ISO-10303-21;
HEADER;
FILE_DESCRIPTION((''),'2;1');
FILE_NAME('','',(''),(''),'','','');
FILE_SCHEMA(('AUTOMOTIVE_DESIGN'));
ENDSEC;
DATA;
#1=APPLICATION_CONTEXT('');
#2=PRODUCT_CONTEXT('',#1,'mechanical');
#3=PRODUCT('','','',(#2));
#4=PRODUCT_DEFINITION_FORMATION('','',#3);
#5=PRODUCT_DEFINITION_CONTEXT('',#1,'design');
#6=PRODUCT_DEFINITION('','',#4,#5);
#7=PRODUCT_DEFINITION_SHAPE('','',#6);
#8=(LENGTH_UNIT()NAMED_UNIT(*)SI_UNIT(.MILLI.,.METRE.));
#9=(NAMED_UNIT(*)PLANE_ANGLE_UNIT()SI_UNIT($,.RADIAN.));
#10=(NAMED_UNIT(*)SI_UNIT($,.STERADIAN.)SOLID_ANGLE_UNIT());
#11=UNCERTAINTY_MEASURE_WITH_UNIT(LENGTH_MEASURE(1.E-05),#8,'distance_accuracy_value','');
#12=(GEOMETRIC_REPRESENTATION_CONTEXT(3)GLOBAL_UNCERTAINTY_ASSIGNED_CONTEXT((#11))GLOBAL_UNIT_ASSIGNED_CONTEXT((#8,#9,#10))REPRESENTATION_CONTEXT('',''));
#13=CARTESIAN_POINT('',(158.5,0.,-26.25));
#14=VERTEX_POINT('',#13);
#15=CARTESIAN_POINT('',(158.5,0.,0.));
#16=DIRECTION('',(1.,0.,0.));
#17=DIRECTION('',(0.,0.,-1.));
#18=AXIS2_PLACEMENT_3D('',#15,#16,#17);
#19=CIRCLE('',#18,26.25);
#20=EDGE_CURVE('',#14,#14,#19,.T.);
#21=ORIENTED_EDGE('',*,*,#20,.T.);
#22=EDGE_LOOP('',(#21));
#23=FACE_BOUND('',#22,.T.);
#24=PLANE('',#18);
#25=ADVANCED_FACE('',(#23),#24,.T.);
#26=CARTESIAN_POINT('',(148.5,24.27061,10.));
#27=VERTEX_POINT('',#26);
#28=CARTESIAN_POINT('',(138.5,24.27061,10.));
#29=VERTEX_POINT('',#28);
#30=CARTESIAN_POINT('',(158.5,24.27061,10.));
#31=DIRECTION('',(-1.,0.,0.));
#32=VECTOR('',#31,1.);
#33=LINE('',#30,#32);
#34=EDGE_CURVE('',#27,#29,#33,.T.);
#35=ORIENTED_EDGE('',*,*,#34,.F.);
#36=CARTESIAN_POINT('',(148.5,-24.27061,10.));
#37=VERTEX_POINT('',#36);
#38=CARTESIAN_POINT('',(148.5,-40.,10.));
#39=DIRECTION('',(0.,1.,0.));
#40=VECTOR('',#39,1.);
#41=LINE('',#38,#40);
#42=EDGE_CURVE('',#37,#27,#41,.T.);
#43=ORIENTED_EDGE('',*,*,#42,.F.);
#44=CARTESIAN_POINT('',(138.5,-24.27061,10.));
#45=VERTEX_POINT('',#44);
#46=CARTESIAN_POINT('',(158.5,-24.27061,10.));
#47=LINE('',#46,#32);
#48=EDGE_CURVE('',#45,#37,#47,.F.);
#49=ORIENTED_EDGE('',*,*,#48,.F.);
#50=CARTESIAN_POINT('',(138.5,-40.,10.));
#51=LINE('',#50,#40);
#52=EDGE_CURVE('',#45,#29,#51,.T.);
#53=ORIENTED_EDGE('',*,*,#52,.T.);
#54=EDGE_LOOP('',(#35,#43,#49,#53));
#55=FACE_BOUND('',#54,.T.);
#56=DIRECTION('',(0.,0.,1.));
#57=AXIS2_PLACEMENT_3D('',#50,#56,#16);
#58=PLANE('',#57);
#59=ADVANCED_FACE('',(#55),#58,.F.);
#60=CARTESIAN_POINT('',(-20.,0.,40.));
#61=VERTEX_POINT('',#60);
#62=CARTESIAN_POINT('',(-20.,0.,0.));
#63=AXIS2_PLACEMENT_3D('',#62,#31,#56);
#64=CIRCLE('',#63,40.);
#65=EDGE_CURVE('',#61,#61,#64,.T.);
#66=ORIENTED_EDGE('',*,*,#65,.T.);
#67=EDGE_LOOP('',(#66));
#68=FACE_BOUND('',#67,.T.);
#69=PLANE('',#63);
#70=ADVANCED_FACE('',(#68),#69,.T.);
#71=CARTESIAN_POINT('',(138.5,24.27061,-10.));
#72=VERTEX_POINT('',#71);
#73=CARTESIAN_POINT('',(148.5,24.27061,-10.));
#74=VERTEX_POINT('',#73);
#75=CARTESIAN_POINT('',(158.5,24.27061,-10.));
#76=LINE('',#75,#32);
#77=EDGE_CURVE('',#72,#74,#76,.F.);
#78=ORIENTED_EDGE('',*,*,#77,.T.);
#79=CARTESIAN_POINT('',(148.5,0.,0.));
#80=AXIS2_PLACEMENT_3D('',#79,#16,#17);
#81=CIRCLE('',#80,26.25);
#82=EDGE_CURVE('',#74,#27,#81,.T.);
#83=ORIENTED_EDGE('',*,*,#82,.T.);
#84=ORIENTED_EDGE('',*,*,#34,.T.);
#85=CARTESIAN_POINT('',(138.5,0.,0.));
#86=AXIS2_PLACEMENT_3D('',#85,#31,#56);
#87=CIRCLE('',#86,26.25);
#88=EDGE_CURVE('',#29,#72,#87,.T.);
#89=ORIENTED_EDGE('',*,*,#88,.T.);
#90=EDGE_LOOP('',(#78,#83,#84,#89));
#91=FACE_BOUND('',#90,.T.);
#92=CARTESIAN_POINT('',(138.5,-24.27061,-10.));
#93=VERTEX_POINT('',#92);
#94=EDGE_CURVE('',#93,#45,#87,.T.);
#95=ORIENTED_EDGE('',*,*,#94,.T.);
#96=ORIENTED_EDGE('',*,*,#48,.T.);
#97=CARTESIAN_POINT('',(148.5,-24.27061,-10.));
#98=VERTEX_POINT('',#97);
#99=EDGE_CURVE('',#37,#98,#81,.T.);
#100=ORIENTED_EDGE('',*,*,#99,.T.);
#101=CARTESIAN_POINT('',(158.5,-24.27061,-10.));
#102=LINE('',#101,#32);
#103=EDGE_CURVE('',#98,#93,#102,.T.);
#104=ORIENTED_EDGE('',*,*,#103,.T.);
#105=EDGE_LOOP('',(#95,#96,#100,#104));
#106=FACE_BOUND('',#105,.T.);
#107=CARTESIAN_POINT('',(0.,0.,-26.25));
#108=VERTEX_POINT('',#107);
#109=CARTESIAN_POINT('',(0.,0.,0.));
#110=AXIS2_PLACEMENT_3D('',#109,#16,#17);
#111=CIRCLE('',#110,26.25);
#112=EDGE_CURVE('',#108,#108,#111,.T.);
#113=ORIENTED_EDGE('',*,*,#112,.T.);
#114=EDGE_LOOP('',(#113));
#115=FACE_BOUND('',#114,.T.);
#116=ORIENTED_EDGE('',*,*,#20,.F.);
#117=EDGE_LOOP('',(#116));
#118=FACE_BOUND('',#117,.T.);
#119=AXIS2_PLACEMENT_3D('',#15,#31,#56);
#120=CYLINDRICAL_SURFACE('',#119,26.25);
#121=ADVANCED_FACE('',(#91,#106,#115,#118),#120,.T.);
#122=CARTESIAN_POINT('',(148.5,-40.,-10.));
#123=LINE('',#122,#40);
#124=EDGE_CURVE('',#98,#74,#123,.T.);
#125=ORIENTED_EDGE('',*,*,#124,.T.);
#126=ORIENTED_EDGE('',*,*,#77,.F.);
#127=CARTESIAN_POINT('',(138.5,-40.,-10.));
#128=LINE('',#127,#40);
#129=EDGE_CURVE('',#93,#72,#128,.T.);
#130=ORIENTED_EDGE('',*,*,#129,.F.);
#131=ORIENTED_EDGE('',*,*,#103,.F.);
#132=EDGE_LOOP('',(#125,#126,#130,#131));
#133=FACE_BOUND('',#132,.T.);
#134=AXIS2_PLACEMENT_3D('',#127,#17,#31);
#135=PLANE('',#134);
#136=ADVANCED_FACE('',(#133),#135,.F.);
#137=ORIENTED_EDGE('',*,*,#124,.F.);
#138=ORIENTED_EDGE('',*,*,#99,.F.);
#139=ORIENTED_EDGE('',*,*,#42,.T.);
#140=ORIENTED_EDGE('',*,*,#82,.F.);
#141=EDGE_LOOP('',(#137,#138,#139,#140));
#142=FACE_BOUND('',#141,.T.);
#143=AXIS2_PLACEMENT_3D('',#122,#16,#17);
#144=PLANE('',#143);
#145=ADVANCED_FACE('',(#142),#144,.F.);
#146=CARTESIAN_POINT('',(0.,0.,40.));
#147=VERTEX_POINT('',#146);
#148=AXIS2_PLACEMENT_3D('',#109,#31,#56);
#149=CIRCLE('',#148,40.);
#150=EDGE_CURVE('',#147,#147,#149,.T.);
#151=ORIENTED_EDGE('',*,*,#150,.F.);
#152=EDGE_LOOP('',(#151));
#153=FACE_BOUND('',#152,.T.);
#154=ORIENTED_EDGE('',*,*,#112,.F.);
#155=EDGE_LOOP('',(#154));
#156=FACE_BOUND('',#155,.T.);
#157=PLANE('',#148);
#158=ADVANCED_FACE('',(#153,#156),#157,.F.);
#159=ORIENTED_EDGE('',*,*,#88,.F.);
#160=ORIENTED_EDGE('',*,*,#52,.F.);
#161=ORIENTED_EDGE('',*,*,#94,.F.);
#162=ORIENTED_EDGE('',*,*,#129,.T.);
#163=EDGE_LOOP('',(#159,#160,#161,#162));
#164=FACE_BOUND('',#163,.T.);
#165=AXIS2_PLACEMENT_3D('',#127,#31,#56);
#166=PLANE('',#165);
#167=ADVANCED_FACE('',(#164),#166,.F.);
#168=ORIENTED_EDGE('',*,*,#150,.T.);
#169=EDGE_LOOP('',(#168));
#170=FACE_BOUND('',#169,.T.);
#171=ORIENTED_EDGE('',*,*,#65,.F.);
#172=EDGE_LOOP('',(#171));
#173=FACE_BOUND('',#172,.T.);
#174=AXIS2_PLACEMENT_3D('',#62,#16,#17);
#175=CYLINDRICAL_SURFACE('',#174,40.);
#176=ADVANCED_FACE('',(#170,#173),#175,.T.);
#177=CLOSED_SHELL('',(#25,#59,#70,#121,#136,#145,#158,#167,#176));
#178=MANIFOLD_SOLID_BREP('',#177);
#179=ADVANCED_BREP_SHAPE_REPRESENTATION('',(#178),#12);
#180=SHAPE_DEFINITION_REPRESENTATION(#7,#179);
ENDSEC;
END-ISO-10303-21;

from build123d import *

# Parameters (mm, degrees)
SKETCH1_R               = 26.25
BOSS_EXTRUDE1_DEPTH     = 158.5
SKETCH2_R               = 40
BOSS_EXTRUDE2_DEPTH     = 20
CUT_EXTRUDE1_DEPTH      = 169.29215668
CUT_EXTRUDE1_DEPTH_BACK = 169.29215668
SKETCH3_W               = 10
SKETCH3_H               = 20


with BuildPart() as part:
    # Sketch1 → Boss-Extrude1 (new body)
    with BuildSketch(Plane(origin=(0, 0, 0), x_dir=(0, 0, -1), z_dir=(1, 0, 0))):
        Circle(SKETCH1_R)
    extrude(amount=BOSS_EXTRUDE1_DEPTH)

    # Sketch2 → Boss-Extrude2 (add)
    with BuildSketch(Plane.ZY):
        Circle(SKETCH2_R)
    extrude(amount=BOSS_EXTRUDE2_DEPTH)

    # Sketch3 → Cut-Extrude1 (cut, two sides: drawn at the far end of the back side and taken through both)
    with BuildSketch(Plane(origin=(0, 0, 0), x_dir=(1, 0, 0), z_dir=(0, 1, 0)).offset(-CUT_EXTRUDE1_DEPTH_BACK)):
        with Locations((143.5, 0)):
            Rectangle(SKETCH3_W, SKETCH3_H)
    extrude(amount=CUT_EXTRUDE1_DEPTH + CUT_EXTRUDE1_DEPTH_BACK, mode=Mode.SUBTRACT)


solid = part.part
